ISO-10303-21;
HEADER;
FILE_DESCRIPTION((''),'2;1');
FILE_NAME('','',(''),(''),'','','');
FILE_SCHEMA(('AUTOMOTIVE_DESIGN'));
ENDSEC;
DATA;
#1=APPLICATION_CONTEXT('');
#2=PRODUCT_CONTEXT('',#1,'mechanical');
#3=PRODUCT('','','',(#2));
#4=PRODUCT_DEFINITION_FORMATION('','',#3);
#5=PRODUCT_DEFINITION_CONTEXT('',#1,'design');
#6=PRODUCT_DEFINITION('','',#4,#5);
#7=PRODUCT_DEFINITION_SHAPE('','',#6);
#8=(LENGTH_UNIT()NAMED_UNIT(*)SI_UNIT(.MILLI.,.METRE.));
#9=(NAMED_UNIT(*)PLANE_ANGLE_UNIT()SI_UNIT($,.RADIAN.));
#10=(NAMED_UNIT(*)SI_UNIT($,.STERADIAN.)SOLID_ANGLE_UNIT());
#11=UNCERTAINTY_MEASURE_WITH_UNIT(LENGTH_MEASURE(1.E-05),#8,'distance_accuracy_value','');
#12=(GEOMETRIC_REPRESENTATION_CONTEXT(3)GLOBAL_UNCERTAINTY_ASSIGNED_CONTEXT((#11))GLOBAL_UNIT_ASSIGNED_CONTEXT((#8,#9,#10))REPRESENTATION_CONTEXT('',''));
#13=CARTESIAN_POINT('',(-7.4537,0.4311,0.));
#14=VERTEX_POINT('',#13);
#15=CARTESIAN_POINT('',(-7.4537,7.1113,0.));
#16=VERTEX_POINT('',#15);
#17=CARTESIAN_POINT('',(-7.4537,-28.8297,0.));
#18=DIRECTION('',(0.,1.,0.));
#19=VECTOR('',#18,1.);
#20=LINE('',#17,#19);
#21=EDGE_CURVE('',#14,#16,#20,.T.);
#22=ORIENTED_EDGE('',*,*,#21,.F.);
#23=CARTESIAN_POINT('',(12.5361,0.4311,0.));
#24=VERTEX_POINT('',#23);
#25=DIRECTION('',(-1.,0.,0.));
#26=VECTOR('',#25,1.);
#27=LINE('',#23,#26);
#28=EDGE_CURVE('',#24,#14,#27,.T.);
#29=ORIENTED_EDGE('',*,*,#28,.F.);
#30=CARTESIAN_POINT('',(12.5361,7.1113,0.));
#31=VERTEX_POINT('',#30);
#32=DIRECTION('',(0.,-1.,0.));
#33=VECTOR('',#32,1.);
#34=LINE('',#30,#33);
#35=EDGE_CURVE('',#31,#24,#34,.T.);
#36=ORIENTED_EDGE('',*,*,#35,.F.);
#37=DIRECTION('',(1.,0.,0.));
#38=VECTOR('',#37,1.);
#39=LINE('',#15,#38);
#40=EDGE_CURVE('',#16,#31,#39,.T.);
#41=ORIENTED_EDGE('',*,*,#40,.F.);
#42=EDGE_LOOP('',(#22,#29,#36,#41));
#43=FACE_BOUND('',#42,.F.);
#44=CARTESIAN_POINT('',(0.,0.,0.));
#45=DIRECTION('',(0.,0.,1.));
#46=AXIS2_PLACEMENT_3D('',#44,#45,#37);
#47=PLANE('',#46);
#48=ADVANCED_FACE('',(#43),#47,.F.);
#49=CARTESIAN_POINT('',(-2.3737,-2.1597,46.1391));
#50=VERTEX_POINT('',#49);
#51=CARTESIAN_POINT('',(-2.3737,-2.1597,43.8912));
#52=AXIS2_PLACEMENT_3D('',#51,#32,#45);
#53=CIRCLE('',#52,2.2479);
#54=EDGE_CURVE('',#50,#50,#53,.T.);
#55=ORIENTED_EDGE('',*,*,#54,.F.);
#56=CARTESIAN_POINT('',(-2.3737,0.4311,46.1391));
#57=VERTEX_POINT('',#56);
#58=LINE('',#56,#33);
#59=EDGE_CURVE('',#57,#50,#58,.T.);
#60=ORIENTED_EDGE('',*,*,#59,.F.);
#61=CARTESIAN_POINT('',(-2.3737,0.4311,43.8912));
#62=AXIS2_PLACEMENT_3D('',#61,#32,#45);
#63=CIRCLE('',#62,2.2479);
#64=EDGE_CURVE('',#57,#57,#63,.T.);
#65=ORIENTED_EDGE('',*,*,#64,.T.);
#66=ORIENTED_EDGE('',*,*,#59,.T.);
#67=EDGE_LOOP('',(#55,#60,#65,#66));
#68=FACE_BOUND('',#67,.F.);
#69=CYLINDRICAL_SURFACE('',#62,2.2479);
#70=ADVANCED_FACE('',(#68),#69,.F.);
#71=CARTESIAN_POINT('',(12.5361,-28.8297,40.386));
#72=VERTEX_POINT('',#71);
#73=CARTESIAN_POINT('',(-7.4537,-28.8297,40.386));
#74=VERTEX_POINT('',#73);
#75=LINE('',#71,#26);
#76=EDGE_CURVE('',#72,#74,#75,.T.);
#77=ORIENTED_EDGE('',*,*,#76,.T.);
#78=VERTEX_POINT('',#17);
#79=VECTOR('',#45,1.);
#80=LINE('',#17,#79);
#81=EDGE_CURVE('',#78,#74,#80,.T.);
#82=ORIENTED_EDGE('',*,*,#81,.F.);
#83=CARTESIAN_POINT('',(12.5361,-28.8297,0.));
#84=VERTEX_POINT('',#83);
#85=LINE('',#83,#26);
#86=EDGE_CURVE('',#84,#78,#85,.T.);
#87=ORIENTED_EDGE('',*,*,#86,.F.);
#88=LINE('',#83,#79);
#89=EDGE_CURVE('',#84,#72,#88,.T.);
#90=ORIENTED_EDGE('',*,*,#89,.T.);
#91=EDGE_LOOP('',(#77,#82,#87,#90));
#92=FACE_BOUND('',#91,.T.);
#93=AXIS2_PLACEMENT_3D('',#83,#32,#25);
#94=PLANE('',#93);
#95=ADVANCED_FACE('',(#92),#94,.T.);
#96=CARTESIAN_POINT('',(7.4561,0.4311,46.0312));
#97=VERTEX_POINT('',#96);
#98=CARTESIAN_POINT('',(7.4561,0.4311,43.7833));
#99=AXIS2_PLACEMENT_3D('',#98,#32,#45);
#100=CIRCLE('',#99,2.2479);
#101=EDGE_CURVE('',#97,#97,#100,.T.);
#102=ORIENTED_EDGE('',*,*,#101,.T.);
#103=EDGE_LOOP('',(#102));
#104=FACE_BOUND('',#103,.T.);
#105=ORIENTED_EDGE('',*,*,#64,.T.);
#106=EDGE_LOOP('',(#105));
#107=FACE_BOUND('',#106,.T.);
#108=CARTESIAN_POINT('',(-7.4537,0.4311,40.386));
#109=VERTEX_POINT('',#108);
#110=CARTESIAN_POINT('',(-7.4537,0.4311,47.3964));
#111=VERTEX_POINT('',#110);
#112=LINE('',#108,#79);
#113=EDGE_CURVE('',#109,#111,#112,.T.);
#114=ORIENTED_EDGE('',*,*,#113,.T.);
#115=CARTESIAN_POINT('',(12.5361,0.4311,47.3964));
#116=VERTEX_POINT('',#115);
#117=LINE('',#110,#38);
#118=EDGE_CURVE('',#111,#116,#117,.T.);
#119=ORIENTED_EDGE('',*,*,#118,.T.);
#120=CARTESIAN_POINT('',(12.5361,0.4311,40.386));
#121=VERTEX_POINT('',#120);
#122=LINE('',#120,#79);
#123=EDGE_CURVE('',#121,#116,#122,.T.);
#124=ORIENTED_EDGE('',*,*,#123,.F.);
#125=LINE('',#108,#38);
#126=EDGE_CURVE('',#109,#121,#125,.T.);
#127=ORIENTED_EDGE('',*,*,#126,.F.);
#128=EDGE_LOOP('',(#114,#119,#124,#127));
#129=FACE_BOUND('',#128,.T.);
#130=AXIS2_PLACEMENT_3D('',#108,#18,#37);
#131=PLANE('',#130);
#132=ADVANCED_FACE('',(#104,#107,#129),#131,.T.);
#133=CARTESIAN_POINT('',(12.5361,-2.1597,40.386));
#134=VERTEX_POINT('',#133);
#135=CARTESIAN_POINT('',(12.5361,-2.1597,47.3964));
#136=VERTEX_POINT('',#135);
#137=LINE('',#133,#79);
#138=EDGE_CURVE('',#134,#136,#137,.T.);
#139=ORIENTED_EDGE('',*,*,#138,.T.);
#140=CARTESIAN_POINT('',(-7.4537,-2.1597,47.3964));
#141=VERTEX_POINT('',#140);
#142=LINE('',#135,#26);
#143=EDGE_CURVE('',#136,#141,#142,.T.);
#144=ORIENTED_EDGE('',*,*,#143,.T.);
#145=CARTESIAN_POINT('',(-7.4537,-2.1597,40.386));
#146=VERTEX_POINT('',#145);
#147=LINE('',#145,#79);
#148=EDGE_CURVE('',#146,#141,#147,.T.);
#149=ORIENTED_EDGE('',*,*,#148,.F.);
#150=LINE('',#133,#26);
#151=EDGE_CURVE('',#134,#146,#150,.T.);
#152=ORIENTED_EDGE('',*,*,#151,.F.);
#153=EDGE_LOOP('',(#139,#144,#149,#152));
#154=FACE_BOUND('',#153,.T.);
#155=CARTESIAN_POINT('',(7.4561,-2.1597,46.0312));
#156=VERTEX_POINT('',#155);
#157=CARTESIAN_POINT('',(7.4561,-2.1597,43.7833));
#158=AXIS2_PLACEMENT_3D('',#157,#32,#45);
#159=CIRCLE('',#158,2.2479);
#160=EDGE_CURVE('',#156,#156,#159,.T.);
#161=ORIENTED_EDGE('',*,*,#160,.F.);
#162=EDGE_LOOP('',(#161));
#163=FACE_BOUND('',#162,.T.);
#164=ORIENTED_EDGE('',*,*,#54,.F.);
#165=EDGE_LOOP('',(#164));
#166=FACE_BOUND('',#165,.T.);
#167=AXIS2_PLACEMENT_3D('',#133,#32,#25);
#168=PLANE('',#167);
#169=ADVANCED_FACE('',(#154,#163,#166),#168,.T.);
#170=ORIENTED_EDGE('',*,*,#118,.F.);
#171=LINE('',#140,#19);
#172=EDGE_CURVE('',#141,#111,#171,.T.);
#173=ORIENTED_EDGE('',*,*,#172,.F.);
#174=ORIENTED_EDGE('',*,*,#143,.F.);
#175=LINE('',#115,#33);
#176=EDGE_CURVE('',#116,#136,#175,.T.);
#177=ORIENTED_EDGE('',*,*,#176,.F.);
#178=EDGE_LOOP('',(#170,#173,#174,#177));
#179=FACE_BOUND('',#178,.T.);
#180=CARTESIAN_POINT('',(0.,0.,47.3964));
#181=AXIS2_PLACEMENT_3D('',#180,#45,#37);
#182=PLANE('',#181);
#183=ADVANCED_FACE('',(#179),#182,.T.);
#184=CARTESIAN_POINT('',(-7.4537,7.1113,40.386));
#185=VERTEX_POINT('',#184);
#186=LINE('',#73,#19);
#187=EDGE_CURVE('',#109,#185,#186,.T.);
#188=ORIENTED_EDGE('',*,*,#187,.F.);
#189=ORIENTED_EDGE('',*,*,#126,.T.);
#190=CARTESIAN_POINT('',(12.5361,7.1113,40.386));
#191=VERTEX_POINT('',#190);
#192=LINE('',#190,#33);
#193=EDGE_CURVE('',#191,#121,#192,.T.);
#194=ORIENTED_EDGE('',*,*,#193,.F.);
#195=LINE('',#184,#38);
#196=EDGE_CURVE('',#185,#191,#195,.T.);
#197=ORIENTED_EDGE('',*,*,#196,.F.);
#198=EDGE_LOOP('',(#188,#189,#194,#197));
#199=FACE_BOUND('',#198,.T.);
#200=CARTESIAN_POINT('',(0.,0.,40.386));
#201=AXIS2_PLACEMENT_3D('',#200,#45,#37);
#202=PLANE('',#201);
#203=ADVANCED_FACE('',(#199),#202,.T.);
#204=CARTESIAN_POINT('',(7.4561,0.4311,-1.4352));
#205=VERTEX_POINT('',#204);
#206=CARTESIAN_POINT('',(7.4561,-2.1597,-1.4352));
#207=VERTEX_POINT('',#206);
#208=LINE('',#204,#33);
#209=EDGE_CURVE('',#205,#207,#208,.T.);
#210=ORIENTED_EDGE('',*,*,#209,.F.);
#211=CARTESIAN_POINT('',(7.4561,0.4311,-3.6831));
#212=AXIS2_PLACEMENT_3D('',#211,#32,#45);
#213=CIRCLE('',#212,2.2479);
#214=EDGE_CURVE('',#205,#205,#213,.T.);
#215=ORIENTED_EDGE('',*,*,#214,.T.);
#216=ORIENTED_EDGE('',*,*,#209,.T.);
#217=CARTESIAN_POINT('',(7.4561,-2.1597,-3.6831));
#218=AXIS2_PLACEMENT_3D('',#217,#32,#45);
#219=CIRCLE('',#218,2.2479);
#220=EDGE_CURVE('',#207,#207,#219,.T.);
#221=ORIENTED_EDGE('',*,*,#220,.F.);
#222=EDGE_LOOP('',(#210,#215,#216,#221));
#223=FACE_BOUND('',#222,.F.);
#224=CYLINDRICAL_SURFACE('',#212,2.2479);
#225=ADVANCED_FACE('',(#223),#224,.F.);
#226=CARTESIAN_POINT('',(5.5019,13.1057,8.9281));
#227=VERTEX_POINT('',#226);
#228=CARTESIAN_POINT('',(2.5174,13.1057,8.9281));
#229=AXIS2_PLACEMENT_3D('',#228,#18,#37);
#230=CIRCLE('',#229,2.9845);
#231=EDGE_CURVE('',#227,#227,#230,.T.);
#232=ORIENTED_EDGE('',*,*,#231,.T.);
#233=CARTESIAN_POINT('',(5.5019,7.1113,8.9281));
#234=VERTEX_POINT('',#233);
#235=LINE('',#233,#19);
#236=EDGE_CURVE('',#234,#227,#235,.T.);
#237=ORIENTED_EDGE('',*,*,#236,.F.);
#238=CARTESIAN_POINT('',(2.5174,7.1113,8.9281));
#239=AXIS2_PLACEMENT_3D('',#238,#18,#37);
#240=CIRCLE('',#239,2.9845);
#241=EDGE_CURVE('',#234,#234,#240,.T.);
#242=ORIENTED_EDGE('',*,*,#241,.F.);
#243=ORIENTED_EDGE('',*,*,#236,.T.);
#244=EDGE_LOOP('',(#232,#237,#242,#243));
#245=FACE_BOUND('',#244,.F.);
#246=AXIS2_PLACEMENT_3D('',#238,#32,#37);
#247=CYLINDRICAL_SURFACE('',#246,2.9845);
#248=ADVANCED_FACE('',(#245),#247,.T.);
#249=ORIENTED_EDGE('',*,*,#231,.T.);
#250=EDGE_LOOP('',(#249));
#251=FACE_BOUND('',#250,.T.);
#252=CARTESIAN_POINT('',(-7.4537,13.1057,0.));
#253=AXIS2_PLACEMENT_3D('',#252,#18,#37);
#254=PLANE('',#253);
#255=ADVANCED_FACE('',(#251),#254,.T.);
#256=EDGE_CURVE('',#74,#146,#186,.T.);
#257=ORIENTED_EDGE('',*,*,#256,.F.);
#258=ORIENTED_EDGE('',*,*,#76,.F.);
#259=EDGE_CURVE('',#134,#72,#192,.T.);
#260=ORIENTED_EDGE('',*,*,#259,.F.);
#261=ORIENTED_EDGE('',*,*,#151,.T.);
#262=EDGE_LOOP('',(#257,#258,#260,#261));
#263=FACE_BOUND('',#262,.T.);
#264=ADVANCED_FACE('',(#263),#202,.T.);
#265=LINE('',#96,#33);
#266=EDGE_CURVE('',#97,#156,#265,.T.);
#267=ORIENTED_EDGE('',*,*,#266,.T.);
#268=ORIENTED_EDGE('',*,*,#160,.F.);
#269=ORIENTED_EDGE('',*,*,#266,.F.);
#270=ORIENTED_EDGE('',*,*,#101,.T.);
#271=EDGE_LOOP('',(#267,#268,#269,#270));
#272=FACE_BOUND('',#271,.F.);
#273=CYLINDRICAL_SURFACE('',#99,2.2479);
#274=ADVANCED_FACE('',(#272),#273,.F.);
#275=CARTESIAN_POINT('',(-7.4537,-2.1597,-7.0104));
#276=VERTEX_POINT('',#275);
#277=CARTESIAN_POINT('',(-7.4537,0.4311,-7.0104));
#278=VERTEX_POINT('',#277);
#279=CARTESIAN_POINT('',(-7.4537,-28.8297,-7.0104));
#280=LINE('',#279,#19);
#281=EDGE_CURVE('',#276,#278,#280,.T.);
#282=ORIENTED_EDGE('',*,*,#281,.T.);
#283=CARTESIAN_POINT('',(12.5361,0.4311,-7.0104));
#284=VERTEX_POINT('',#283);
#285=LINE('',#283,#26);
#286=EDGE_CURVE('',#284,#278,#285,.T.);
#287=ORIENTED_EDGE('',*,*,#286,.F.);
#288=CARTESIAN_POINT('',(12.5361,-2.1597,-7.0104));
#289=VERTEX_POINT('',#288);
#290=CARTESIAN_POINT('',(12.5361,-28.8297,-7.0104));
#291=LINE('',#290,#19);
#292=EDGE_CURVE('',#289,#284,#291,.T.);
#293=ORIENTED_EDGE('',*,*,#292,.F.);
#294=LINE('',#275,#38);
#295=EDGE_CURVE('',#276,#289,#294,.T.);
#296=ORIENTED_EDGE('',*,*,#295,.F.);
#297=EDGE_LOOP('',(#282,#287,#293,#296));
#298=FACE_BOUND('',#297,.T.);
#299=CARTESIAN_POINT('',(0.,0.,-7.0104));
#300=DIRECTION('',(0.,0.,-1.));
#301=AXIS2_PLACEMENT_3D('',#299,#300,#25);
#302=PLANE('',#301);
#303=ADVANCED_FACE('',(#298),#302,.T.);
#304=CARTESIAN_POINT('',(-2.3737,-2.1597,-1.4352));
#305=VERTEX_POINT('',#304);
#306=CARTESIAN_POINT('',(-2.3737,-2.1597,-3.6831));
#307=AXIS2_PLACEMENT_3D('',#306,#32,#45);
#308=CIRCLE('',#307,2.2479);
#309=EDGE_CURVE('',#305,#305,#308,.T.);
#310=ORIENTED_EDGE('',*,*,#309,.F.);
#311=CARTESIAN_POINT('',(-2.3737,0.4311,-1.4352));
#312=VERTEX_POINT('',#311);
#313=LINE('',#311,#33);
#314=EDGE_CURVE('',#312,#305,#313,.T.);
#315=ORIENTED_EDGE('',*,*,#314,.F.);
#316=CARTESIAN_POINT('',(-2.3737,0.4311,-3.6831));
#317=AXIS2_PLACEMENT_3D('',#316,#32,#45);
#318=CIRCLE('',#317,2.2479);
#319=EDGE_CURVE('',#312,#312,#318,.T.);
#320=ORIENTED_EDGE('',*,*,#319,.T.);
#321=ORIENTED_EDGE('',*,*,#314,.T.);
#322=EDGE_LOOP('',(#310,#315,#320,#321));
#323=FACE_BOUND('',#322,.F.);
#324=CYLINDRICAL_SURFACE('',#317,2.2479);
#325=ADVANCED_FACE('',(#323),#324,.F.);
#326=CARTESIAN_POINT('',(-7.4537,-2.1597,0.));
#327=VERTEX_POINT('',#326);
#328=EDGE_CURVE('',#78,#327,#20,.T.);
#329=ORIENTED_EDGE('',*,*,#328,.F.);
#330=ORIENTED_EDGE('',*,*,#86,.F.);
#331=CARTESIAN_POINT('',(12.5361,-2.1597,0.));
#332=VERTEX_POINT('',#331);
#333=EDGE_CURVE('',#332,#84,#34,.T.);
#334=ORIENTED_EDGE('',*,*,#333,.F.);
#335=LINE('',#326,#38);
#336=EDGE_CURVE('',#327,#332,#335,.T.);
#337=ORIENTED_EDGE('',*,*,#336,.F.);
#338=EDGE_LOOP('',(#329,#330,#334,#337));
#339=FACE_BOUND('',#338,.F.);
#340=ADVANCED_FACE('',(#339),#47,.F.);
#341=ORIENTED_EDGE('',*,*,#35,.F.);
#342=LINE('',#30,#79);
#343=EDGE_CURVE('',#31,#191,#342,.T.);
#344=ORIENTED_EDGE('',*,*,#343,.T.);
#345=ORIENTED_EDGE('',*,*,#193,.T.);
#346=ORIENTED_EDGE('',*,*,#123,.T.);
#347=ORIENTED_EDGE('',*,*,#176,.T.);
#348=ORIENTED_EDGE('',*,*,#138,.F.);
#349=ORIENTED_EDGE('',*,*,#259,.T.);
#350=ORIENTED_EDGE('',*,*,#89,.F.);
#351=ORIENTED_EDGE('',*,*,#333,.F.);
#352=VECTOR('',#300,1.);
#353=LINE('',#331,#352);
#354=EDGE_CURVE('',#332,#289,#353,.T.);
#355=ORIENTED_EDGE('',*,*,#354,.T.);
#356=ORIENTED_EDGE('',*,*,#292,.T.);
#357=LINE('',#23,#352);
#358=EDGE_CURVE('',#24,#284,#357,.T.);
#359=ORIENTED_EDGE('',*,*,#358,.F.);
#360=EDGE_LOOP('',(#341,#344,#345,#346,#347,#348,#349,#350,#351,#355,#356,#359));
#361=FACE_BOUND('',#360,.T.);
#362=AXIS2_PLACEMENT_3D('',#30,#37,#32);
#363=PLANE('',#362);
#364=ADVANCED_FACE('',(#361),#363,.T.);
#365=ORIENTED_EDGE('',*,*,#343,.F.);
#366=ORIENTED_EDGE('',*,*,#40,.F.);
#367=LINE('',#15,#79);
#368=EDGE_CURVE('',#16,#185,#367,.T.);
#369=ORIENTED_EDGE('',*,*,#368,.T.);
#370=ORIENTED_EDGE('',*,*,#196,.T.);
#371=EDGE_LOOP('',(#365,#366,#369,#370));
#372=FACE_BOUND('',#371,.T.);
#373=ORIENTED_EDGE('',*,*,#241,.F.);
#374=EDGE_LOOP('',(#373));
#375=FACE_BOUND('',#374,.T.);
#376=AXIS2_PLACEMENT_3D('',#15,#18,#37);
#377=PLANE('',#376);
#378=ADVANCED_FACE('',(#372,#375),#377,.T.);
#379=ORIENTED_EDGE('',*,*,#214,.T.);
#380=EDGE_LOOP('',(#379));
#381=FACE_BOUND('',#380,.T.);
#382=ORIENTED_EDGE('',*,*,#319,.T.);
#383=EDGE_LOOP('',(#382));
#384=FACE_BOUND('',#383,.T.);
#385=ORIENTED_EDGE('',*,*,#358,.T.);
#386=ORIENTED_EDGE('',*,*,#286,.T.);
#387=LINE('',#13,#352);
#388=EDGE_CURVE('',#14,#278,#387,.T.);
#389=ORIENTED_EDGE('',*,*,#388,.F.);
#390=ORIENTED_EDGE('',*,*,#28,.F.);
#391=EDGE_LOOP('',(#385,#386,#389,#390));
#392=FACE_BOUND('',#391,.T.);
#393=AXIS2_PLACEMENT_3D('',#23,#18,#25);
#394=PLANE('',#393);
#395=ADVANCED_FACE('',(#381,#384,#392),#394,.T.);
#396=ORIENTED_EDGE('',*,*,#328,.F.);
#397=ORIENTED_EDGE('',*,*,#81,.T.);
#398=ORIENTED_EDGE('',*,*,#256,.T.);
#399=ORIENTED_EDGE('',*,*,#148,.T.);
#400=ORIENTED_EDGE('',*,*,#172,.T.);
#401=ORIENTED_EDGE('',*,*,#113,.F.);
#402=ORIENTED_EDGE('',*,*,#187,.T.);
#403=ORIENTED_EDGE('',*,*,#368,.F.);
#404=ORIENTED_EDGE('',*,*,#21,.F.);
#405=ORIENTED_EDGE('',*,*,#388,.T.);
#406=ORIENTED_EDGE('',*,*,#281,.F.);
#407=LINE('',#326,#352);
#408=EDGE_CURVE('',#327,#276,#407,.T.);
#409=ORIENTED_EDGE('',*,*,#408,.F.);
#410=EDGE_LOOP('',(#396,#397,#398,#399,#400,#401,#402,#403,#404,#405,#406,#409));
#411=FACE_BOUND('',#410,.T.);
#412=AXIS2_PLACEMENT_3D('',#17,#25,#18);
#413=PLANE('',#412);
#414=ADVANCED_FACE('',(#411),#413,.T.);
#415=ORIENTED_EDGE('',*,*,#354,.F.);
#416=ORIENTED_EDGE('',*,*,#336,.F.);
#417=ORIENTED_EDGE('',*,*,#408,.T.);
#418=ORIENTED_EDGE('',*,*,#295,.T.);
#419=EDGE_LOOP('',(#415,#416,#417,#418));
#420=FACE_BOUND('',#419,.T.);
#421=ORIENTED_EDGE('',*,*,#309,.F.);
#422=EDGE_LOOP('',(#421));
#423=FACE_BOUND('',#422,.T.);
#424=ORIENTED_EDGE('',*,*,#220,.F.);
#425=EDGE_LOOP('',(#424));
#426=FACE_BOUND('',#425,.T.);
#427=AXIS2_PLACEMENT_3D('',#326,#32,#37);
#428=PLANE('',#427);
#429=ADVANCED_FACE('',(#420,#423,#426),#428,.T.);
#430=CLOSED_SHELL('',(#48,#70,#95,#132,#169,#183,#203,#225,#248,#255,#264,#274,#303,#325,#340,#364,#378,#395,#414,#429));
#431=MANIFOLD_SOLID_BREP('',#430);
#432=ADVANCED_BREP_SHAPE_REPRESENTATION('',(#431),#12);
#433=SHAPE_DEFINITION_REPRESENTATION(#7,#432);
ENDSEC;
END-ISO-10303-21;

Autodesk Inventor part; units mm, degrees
ref_plane "YZ Plane" through (0, 0, 0) normal (1, 0, 0) x (0, 1, 0)
ref_plane "XZ Plane" through (0, 0, 0) normal (0, 1, 0) x (-1, 0, 0)
ref_plane "XY Plane" through (0, 0, 0) normal (0, 0, 1) x (1, 0, 0)
sketch "Sketch1" plane through (0, 0, 0) normal (0, 0, 1) x (1, 0, 0)
  line L0 (-7.4537, 7.1113) -> (12.5361, 7.1113)
  line L1 (12.5361, 7.1113) -> (12.5361, -28.8297)
  line L2 (12.5361, -28.8297) -> (-7.4537, -28.8297)
  line L3 (-7.4537, -28.8297) -> (-7.4537, 7.1113)
  point P0 (0, 0)
  dimension "d0" = 19.9898
  dimension "d1" = 35.941
extrude "Extrusion1" add sketch "Sketch1" along normal blind 40.386
sketch "Sketch2" plane through (0, 0, 0) normal (0, 0, -1) x (-1, 0, 0)
  line L0 (-12.5361, -28.8297) -> (-12.5361, 7.1113) projected
  line L1 (7.4537, -28.8297) -> (7.4537, 7.1113) projected
  line L2 (-12.5361, 0.4311) -> (7.4537, 0.4311)
  line L3 (7.4537, 0.4311) -> (7.4537, -2.1597)
  line L4 (7.4537, -2.1597) -> (-12.5361, -2.1597)
  line L5 (-12.5361, -2.1597) -> (-12.5361, 0.4311)
  line L6 (7.4537, 7.1113) -> (-12.5361, 7.1113) projected
  line L7 (-12.5361, -28.8297) -> (7.4537, -28.8297) projected
  line L8 (7.4537, 7.1113) -> (7.4537, -28.8297) projected
  line L9 (7.4537, 0.4311) -> (-12.5361, 0.4311)
  line L10 (-12.5361, 0.4311) -> (-12.5361, -2.1597)
  line L11 (-12.5361, -2.1597) -> (7.4537, -2.1597)
  line L12 (7.4537, -2.1597) -> (7.4537, 0.4311)
  point P0 (0, 0)
  dimension "d4" = 6.6802
  dimension "d5" = 2.5908
  dimension "d6" = 26.67
  dimension "d7" = 19.9898
  dimension "d8" = 2.5908
extrude "Extrusion2" add sketch "Sketch2" along normal blind 7.0104 contours L0 L2 L1 L4
sketch "Sketch3" plane through (0, 0, 40.386) normal (0, 0, 1) x (1, 0, 0)
  point P0 (0, 0)
sketch "Sketch4" plane through (0, 0, 40.386) normal (0, 0, 1) x (1, 0, 0)
  line L0 (-7.4537, -2.1597) -> (-7.4537, 0.4311) projected
  line L1 (12.5361, -2.1597) -> (-7.4537, -2.1597) projected
  line L2 (-7.4537, 0.4311) -> (12.5361, 0.4311)
  line L3 (12.5361, 0.4311) -> (12.5361, -2.1597)
  line L4 (12.5361, -2.1597) -> (-7.4537, -2.1597)
  line L5 (-7.4537, -2.1597) -> (-7.4537, 0.4311)
  point P0 (0, 0)
extrude "Extrusion3" add sketch "Sketch4" along normal blind 7.0104
sketch "Sketch5" plane through (-7.4537, 0.4311, 40.386) normal (0, 1, 0) x (1, 0, 0)
  circle A0 centre (14.9098, -3.3973) radius 2.2479
  line L0 (19.9898, 0) -> (19.9898, -7.0104) projected
  circle A1 centre (5.08, -3.5052) radius 2.2479
  line L1 (0, 0) -> (0, -7.0104) projected
  point P0 (7.4537, 40.386)
  dimension "d13" = 5.08
  dimension "d14" = 5.08
  dimension "d15" = 4.4958
  dimension "d16" = 4.4958
  dimension "d17" = 5.3346
sketch "Sketch6" plane through (-7.4537, 7.1113, 0) normal (0, 1, 0) x (1, 0, 0)
  point P0 (7.4537, 0)
sketch "Sketch7" plane through (-7.4537, 0.4311, 0) normal (0, 1, 0) x (1, 0, 0)
  circle A0 centre (14.9098, 3.6831) radius 2.2479
  circle A1 centre (5.08, 3.6831) radius 2.2479
  line L0 (19.9898, 0) -> (19.9898, 7.0104) projected
  line L1 (0, 0) -> (0, 7.0104) projected
  point P0 (7.4537, 0)
  dimension "d18" = 5.08
  dimension "d19" = 5.08
  dimension "d20" = 4.4958
  dimension "d21" = 4.4958
  dimension "d22" = 5.334
hole "Hole1" at (7.4561, 0.4311, 43.7833) at (-2.3737, 0.4311, 43.8912) direction (0, -1, 0) diameter 4.4958 end through all
hole "Hole2" at (7.4561, 0.4311, -3.6831) at (-2.3737, 0.4311, -3.6831) direction (0, -1, 0) diameter 4.4958 end through all
sketch "Sketch8" plane through (-7.4537, 7.1113, 0) normal (0, 1, 0) x (1, 0, 0)
  circle A0 centre (9.9711, -8.9281) radius 2.9845
  line L0 (0, 0) -> (19.9898, 0) projected
  point P0 (7.4537, 0)
  dimension "d37" = 5.9436
  dimension "d38" = 5.969
extrude "Extrusion4" add sketch "Sketch8" along normal blind 5.9944
sketch "Sketch9" plane through (0, 0, 0) normal (0, 0, -1) x (-1, 0, 0)
  point P0 (0, 0)
sketch "Sketch10" plane through (-7.4537, 7.1113, 0) normal (0, 1, 0) x (1, 0, 0)
  line L0 (0, 0) -> (19.9898, 0) projected
  line L1 (19.9898, 0) -> (19.9898, -40.386) projected
  line L2 (0, 0) -> (0, -40.386) projected
  line L3 (19.9898, -40.386) -> (0, -40.386) projected
  circle A0 centre (14.9098, -43.7833) radius 2.2479 projected
  circle A1 centre (5.08, -43.8912) radius 2.2479 projected
  circle A2 centre (14.9098, 3.6831) radius 2.2479 projected
  circle A3 centre (5.08, 3.6831) radius 2.2479 projected
  point P0 (7.4537, 0)
properties part number "RTS Motor"
